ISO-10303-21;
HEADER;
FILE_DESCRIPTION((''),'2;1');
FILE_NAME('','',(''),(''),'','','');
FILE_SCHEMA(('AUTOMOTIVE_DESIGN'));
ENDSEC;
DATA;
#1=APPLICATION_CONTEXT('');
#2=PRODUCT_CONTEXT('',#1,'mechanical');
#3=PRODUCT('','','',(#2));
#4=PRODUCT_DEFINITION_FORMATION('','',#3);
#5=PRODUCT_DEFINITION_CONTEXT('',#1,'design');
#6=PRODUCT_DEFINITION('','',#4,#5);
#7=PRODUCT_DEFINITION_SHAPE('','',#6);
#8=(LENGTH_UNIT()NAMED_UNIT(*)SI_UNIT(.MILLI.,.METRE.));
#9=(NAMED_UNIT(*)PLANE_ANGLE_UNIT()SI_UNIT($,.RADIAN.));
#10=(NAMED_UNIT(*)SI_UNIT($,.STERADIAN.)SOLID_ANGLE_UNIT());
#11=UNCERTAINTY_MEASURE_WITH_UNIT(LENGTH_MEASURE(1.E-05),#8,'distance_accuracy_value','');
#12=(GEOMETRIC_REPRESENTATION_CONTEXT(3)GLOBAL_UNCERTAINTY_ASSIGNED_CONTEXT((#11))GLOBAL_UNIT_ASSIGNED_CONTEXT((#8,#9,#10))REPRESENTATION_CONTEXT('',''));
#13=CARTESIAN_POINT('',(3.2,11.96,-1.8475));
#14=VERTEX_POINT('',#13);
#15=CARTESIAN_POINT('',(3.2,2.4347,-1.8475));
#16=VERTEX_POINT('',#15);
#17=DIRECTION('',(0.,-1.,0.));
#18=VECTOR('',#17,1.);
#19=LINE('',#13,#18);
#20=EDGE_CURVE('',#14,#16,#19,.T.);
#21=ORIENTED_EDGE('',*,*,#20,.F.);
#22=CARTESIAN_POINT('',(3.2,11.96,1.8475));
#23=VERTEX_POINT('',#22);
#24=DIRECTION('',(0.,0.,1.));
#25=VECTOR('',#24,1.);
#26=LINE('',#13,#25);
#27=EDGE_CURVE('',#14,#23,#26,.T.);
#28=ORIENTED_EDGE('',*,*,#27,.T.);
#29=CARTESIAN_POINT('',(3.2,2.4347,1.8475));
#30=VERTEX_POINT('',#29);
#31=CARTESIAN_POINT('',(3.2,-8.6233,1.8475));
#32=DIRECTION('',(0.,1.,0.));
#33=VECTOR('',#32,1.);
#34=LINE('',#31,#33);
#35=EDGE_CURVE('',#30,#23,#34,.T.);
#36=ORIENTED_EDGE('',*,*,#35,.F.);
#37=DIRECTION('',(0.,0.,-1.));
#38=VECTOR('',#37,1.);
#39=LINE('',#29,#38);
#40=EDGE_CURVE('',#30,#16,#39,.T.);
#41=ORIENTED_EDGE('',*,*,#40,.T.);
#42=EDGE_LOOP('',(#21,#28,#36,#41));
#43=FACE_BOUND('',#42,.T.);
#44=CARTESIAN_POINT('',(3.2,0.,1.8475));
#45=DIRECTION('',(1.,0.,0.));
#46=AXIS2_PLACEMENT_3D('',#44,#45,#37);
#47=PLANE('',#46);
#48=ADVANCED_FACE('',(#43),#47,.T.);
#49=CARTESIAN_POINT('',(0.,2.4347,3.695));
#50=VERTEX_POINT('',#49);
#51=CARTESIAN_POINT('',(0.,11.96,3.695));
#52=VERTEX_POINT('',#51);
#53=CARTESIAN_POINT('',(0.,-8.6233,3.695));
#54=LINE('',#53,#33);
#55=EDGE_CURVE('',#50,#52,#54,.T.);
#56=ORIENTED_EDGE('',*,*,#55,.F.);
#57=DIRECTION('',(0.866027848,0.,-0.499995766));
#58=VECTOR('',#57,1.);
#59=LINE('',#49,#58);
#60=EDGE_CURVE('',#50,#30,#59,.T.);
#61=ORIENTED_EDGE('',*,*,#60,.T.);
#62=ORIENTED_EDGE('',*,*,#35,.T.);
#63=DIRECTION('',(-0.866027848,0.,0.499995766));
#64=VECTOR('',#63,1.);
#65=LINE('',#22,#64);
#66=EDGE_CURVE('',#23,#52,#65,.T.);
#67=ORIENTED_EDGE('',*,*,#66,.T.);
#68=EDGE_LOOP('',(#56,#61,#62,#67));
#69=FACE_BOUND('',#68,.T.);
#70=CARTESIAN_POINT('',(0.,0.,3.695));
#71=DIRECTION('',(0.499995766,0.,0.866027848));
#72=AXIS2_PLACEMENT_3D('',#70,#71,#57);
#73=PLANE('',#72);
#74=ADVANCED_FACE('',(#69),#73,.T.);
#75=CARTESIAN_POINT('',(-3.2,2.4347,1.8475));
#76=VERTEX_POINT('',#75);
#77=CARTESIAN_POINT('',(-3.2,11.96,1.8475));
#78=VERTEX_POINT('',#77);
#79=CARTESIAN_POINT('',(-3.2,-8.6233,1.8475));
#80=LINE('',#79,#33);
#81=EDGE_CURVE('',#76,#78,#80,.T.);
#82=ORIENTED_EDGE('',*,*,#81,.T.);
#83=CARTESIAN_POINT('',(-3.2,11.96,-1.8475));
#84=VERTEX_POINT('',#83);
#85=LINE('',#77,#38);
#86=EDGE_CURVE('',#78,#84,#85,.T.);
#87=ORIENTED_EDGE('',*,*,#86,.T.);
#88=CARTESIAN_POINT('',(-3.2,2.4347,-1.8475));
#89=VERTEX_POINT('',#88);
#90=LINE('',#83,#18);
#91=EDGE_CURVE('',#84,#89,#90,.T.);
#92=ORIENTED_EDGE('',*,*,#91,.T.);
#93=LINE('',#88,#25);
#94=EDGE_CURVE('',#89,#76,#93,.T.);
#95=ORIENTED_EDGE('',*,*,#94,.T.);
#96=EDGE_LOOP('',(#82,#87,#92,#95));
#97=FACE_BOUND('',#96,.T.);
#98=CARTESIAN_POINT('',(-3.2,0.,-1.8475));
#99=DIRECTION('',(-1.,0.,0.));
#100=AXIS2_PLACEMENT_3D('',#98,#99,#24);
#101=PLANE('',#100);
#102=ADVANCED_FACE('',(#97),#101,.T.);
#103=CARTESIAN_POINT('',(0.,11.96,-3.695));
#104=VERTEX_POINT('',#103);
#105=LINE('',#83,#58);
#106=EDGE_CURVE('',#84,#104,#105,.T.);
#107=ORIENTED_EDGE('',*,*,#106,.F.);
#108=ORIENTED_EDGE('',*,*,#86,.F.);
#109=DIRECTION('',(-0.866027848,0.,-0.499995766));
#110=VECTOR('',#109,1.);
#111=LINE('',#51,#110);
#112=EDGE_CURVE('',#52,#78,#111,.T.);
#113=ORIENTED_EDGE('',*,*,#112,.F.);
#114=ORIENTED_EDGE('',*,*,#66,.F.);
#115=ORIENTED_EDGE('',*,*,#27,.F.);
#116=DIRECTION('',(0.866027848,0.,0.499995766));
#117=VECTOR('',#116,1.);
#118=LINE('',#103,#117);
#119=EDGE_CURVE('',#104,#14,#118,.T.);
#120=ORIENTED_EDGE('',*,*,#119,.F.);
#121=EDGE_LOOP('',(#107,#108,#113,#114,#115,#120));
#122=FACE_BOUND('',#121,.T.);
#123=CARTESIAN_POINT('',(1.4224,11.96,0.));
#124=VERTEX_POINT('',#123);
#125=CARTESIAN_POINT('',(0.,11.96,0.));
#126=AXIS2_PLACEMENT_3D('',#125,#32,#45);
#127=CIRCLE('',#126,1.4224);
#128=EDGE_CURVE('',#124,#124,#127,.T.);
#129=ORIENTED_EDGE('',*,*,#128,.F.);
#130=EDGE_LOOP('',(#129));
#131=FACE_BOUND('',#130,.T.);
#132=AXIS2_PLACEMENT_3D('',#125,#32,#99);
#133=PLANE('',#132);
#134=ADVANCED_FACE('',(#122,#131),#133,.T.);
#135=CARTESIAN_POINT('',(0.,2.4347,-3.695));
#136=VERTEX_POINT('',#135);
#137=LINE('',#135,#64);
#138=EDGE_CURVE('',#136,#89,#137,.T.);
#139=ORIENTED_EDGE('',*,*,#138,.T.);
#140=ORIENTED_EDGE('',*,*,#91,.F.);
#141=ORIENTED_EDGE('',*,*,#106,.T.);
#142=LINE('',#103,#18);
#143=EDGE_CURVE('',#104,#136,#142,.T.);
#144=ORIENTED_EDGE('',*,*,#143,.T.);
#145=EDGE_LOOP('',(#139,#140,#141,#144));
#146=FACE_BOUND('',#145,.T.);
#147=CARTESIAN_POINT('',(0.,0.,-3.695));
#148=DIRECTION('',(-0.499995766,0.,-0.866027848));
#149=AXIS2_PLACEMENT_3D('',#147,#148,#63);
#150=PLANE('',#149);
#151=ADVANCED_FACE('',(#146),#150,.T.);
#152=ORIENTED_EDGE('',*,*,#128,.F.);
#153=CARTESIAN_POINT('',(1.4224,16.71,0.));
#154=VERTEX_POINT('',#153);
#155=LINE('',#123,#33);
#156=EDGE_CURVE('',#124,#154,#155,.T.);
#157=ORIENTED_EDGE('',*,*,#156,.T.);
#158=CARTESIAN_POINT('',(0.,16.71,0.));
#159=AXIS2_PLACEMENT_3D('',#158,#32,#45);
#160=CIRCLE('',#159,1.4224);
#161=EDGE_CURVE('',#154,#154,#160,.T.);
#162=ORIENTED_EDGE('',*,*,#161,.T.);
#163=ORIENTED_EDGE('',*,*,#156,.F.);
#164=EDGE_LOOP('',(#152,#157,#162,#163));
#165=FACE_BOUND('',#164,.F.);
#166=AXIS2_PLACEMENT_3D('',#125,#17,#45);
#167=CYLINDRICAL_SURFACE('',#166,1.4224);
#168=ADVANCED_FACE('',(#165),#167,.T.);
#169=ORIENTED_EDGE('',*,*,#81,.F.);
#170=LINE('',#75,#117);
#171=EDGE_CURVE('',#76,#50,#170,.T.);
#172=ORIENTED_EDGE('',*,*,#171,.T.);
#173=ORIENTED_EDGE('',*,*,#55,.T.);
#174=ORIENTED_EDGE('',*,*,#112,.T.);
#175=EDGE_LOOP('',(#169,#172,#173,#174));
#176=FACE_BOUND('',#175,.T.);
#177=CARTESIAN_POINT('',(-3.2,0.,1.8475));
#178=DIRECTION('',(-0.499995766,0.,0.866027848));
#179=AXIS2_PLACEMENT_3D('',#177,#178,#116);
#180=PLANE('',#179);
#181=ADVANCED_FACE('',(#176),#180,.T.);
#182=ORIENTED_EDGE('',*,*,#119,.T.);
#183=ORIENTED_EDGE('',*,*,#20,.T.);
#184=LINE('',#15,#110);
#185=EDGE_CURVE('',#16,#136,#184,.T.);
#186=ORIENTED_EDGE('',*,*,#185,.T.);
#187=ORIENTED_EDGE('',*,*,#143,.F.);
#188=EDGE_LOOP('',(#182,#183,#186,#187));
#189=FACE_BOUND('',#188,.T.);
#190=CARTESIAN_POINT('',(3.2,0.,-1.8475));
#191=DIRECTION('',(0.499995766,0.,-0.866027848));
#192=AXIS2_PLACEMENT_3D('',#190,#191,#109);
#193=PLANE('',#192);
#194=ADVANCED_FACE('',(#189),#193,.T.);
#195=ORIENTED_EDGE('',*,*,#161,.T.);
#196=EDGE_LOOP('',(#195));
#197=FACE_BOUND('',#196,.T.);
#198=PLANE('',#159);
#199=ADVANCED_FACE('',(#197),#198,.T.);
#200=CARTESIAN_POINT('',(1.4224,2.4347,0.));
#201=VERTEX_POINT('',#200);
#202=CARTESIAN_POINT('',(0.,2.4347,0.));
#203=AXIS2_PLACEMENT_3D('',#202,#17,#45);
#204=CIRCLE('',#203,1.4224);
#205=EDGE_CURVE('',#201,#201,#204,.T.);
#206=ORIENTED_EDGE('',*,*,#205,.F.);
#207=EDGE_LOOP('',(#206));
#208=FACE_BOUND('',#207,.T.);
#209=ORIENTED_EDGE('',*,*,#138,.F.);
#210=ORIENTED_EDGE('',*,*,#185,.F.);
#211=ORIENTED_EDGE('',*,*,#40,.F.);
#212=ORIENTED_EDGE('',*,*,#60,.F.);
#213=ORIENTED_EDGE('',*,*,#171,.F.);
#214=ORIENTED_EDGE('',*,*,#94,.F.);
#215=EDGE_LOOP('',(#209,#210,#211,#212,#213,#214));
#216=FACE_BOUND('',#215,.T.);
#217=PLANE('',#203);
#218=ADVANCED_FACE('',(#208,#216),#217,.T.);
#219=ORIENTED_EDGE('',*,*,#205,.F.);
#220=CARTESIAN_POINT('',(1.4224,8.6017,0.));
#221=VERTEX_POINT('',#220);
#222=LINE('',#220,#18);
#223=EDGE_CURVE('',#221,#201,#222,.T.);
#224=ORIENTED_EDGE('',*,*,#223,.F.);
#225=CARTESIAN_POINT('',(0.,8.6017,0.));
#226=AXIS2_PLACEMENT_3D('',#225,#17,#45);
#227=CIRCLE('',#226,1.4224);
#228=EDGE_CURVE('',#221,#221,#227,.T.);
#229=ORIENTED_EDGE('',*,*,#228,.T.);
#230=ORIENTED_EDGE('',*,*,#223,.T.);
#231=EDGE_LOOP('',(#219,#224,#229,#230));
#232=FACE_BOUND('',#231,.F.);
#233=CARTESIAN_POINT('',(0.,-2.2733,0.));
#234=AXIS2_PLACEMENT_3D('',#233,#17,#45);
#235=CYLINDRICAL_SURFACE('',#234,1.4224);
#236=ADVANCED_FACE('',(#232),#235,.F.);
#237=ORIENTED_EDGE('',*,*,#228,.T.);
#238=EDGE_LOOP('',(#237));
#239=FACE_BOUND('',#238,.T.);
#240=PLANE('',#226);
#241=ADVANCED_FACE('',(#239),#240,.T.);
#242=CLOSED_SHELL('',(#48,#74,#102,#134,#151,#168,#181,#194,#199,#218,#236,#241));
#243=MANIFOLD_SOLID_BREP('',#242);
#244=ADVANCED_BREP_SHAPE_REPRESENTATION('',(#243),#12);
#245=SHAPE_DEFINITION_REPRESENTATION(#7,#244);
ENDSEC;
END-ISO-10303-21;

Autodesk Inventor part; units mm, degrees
ref_plane "YZ Plane" through (0, 0, 0) normal (1, 0, 0) x (0, 1, 0)
ref_plane "XZ Plane" through (0, 0, 0) normal (0, 1, 0) x (-1, 0, 0)
ref_plane "XY Plane" through (0, 0, 0) normal (0, 0, 1) x (1, 0, 0)
sketch "Sketch1" plane through (0, 0, 0) normal (0, 1, 0) x (-1, 0, 0)
  line L0 (3.2, 1.8475) -> (3.2, -1.8475)
  line L1 (3.2, -1.8475) -> (0, -3.695)
  line L2 (0, -3.695) -> (-3.2, -1.8475)
  line L3 (-3.2, -1.8475) -> (-3.2, 1.8475)
  line L4 (-3.2, 1.8475) -> (0, 3.695)
  line L5 (0, 3.695) -> (3.2, 1.8475)
  point P0 (0, 0)
  point P1 (3.2, 0)
  point P2 (-3.2, 0)
  dimension "d0" = 6.4
  dimension "d1" = 120
  dimension "d2" = 6.4
extrude "Extrusion1" add sketch "Sketch1" along normal blind 11.96
sketch "Sketch2" plane through (0, 11.96, 0) normal (0, 1, 0) x (1, 0, 0)
  circle A0 centre (0, 0) radius 1.4224
  dimension "d5" = 2.8448
extrude "Extrusion2" add sketch "Sketch2" along normal blind 4.75
sketch "Sketch3" plane through (0, 0, 0) normal (0, -1, 0) x (1, 0, 0)
  circle A0 centre (0, 0) radius 1.4224
  dimension "d8" = 2.8448
extrude "Extrusion3" cut sketch "Sketch3" against normal blind 6.35
sketch "Sketch4" plane through (0, 0, 0) normal (0, -1, 0) x (1, 0, 0)
  circle A0 centre (0, 0) radius 1.4224 projected
  line L0 (-3.2, -1.8475) -> (-3.2, 1.8475) projected
  line L1 (0, -3.695) -> (-3.2, -1.8475) projected
  line L2 (3.2, -1.8475) -> (0, -3.695) projected
  line L3 (3.2, 1.8475) -> (3.2, -1.8475) projected
  line L4 (0, 3.695) -> (3.2, 1.8475) projected
  line L5 (-3.2, 1.8475) -> (0, 3.695) projected
extrude "Extrusion4" add sketch "Sketch4" along normal blind 8.6233
sketch "Sketch5" plane through (0, 6.35, 0) normal (0, -1, 0) x (1, 0, 0)
  circle A0 centre (0, 0) radius 1.4224 projected
extrude "Extrusion5" add sketch "Sketch5" along normal blind 8.6233
sketch "Sketch6" plane through (0, -8.6233, 0) normal (0, -1, 0) x (1, 0, 0)
  point P0 (0, 0)
sketch "Sketch7" plane through (0, -8.6233, 0) normal (0, -1, 0) x (1, 0, 0)
  line L0 (0, -3.695) -> (3.2, -1.8475) projected
  line L1 (3.2, -1.8475) -> (3.2, 1.8475) projected
  line L2 (3.2, 1.8475) -> (0, 3.695) projected
  line L3 (0, 3.695) -> (-3.2, 1.8475) projected
  line L4 (-3.2, 1.8475) -> (-3.2, -1.8475) projected
  line L5 (-3.2, -1.8475) -> (0, -3.695) projected
  circle A0 centre (0, 0) radius 1.4224 projected
extrude "Extrusion6" cut sketch "Sketch7" against normal blind 10
sketch "Sketch8" plane through (0, -2.2733, 0) normal (0, -1, 0) x (1, 0, 0)
  circle A0 centre (0, 0) radius 1.4224 projected
extrude "Extrusion7" cut sketch "Sketch8" against normal blind 9.817
sketch "Sketch9" plane through (0, 1.3767, 0) normal (0, -1, 0) x (1, 0, 0)
  line L0 (3.2, 1.8475) -> (3.2, -1.8475) projected
  line L1 (0, 3.695) -> (3.2, 1.8475) projected
  line L2 (-3.2, 1.8475) -> (0, 3.695) projected
  line L3 (-3.2, -1.8475) -> (-3.2, 1.8475) projected
  line L4 (0, -3.695) -> (-3.2, -1.8475) projected
  line L5 (3.2, -1.8475) -> (0, -3.695) projected
  circle A0 centre (0, 0) radius 1.4224 projected
  circle A1 centre (0, 0) radius 1.4224 projected
extrude "Extrusion8" cut sketch "Sketch9" against normal blind 1.058
sketch "Sketch10" plane through (0, 7.5437, 0) normal (0, -1, 0) x (1, 0, 0)
  circle A0 centre (0, 0) radius 1.4224 projected
extrude "Extrusion9" cut sketch "Sketch10" against normal blind 1.058
properties part number "pcBOBAstandoff" material "Stainless Steel"
